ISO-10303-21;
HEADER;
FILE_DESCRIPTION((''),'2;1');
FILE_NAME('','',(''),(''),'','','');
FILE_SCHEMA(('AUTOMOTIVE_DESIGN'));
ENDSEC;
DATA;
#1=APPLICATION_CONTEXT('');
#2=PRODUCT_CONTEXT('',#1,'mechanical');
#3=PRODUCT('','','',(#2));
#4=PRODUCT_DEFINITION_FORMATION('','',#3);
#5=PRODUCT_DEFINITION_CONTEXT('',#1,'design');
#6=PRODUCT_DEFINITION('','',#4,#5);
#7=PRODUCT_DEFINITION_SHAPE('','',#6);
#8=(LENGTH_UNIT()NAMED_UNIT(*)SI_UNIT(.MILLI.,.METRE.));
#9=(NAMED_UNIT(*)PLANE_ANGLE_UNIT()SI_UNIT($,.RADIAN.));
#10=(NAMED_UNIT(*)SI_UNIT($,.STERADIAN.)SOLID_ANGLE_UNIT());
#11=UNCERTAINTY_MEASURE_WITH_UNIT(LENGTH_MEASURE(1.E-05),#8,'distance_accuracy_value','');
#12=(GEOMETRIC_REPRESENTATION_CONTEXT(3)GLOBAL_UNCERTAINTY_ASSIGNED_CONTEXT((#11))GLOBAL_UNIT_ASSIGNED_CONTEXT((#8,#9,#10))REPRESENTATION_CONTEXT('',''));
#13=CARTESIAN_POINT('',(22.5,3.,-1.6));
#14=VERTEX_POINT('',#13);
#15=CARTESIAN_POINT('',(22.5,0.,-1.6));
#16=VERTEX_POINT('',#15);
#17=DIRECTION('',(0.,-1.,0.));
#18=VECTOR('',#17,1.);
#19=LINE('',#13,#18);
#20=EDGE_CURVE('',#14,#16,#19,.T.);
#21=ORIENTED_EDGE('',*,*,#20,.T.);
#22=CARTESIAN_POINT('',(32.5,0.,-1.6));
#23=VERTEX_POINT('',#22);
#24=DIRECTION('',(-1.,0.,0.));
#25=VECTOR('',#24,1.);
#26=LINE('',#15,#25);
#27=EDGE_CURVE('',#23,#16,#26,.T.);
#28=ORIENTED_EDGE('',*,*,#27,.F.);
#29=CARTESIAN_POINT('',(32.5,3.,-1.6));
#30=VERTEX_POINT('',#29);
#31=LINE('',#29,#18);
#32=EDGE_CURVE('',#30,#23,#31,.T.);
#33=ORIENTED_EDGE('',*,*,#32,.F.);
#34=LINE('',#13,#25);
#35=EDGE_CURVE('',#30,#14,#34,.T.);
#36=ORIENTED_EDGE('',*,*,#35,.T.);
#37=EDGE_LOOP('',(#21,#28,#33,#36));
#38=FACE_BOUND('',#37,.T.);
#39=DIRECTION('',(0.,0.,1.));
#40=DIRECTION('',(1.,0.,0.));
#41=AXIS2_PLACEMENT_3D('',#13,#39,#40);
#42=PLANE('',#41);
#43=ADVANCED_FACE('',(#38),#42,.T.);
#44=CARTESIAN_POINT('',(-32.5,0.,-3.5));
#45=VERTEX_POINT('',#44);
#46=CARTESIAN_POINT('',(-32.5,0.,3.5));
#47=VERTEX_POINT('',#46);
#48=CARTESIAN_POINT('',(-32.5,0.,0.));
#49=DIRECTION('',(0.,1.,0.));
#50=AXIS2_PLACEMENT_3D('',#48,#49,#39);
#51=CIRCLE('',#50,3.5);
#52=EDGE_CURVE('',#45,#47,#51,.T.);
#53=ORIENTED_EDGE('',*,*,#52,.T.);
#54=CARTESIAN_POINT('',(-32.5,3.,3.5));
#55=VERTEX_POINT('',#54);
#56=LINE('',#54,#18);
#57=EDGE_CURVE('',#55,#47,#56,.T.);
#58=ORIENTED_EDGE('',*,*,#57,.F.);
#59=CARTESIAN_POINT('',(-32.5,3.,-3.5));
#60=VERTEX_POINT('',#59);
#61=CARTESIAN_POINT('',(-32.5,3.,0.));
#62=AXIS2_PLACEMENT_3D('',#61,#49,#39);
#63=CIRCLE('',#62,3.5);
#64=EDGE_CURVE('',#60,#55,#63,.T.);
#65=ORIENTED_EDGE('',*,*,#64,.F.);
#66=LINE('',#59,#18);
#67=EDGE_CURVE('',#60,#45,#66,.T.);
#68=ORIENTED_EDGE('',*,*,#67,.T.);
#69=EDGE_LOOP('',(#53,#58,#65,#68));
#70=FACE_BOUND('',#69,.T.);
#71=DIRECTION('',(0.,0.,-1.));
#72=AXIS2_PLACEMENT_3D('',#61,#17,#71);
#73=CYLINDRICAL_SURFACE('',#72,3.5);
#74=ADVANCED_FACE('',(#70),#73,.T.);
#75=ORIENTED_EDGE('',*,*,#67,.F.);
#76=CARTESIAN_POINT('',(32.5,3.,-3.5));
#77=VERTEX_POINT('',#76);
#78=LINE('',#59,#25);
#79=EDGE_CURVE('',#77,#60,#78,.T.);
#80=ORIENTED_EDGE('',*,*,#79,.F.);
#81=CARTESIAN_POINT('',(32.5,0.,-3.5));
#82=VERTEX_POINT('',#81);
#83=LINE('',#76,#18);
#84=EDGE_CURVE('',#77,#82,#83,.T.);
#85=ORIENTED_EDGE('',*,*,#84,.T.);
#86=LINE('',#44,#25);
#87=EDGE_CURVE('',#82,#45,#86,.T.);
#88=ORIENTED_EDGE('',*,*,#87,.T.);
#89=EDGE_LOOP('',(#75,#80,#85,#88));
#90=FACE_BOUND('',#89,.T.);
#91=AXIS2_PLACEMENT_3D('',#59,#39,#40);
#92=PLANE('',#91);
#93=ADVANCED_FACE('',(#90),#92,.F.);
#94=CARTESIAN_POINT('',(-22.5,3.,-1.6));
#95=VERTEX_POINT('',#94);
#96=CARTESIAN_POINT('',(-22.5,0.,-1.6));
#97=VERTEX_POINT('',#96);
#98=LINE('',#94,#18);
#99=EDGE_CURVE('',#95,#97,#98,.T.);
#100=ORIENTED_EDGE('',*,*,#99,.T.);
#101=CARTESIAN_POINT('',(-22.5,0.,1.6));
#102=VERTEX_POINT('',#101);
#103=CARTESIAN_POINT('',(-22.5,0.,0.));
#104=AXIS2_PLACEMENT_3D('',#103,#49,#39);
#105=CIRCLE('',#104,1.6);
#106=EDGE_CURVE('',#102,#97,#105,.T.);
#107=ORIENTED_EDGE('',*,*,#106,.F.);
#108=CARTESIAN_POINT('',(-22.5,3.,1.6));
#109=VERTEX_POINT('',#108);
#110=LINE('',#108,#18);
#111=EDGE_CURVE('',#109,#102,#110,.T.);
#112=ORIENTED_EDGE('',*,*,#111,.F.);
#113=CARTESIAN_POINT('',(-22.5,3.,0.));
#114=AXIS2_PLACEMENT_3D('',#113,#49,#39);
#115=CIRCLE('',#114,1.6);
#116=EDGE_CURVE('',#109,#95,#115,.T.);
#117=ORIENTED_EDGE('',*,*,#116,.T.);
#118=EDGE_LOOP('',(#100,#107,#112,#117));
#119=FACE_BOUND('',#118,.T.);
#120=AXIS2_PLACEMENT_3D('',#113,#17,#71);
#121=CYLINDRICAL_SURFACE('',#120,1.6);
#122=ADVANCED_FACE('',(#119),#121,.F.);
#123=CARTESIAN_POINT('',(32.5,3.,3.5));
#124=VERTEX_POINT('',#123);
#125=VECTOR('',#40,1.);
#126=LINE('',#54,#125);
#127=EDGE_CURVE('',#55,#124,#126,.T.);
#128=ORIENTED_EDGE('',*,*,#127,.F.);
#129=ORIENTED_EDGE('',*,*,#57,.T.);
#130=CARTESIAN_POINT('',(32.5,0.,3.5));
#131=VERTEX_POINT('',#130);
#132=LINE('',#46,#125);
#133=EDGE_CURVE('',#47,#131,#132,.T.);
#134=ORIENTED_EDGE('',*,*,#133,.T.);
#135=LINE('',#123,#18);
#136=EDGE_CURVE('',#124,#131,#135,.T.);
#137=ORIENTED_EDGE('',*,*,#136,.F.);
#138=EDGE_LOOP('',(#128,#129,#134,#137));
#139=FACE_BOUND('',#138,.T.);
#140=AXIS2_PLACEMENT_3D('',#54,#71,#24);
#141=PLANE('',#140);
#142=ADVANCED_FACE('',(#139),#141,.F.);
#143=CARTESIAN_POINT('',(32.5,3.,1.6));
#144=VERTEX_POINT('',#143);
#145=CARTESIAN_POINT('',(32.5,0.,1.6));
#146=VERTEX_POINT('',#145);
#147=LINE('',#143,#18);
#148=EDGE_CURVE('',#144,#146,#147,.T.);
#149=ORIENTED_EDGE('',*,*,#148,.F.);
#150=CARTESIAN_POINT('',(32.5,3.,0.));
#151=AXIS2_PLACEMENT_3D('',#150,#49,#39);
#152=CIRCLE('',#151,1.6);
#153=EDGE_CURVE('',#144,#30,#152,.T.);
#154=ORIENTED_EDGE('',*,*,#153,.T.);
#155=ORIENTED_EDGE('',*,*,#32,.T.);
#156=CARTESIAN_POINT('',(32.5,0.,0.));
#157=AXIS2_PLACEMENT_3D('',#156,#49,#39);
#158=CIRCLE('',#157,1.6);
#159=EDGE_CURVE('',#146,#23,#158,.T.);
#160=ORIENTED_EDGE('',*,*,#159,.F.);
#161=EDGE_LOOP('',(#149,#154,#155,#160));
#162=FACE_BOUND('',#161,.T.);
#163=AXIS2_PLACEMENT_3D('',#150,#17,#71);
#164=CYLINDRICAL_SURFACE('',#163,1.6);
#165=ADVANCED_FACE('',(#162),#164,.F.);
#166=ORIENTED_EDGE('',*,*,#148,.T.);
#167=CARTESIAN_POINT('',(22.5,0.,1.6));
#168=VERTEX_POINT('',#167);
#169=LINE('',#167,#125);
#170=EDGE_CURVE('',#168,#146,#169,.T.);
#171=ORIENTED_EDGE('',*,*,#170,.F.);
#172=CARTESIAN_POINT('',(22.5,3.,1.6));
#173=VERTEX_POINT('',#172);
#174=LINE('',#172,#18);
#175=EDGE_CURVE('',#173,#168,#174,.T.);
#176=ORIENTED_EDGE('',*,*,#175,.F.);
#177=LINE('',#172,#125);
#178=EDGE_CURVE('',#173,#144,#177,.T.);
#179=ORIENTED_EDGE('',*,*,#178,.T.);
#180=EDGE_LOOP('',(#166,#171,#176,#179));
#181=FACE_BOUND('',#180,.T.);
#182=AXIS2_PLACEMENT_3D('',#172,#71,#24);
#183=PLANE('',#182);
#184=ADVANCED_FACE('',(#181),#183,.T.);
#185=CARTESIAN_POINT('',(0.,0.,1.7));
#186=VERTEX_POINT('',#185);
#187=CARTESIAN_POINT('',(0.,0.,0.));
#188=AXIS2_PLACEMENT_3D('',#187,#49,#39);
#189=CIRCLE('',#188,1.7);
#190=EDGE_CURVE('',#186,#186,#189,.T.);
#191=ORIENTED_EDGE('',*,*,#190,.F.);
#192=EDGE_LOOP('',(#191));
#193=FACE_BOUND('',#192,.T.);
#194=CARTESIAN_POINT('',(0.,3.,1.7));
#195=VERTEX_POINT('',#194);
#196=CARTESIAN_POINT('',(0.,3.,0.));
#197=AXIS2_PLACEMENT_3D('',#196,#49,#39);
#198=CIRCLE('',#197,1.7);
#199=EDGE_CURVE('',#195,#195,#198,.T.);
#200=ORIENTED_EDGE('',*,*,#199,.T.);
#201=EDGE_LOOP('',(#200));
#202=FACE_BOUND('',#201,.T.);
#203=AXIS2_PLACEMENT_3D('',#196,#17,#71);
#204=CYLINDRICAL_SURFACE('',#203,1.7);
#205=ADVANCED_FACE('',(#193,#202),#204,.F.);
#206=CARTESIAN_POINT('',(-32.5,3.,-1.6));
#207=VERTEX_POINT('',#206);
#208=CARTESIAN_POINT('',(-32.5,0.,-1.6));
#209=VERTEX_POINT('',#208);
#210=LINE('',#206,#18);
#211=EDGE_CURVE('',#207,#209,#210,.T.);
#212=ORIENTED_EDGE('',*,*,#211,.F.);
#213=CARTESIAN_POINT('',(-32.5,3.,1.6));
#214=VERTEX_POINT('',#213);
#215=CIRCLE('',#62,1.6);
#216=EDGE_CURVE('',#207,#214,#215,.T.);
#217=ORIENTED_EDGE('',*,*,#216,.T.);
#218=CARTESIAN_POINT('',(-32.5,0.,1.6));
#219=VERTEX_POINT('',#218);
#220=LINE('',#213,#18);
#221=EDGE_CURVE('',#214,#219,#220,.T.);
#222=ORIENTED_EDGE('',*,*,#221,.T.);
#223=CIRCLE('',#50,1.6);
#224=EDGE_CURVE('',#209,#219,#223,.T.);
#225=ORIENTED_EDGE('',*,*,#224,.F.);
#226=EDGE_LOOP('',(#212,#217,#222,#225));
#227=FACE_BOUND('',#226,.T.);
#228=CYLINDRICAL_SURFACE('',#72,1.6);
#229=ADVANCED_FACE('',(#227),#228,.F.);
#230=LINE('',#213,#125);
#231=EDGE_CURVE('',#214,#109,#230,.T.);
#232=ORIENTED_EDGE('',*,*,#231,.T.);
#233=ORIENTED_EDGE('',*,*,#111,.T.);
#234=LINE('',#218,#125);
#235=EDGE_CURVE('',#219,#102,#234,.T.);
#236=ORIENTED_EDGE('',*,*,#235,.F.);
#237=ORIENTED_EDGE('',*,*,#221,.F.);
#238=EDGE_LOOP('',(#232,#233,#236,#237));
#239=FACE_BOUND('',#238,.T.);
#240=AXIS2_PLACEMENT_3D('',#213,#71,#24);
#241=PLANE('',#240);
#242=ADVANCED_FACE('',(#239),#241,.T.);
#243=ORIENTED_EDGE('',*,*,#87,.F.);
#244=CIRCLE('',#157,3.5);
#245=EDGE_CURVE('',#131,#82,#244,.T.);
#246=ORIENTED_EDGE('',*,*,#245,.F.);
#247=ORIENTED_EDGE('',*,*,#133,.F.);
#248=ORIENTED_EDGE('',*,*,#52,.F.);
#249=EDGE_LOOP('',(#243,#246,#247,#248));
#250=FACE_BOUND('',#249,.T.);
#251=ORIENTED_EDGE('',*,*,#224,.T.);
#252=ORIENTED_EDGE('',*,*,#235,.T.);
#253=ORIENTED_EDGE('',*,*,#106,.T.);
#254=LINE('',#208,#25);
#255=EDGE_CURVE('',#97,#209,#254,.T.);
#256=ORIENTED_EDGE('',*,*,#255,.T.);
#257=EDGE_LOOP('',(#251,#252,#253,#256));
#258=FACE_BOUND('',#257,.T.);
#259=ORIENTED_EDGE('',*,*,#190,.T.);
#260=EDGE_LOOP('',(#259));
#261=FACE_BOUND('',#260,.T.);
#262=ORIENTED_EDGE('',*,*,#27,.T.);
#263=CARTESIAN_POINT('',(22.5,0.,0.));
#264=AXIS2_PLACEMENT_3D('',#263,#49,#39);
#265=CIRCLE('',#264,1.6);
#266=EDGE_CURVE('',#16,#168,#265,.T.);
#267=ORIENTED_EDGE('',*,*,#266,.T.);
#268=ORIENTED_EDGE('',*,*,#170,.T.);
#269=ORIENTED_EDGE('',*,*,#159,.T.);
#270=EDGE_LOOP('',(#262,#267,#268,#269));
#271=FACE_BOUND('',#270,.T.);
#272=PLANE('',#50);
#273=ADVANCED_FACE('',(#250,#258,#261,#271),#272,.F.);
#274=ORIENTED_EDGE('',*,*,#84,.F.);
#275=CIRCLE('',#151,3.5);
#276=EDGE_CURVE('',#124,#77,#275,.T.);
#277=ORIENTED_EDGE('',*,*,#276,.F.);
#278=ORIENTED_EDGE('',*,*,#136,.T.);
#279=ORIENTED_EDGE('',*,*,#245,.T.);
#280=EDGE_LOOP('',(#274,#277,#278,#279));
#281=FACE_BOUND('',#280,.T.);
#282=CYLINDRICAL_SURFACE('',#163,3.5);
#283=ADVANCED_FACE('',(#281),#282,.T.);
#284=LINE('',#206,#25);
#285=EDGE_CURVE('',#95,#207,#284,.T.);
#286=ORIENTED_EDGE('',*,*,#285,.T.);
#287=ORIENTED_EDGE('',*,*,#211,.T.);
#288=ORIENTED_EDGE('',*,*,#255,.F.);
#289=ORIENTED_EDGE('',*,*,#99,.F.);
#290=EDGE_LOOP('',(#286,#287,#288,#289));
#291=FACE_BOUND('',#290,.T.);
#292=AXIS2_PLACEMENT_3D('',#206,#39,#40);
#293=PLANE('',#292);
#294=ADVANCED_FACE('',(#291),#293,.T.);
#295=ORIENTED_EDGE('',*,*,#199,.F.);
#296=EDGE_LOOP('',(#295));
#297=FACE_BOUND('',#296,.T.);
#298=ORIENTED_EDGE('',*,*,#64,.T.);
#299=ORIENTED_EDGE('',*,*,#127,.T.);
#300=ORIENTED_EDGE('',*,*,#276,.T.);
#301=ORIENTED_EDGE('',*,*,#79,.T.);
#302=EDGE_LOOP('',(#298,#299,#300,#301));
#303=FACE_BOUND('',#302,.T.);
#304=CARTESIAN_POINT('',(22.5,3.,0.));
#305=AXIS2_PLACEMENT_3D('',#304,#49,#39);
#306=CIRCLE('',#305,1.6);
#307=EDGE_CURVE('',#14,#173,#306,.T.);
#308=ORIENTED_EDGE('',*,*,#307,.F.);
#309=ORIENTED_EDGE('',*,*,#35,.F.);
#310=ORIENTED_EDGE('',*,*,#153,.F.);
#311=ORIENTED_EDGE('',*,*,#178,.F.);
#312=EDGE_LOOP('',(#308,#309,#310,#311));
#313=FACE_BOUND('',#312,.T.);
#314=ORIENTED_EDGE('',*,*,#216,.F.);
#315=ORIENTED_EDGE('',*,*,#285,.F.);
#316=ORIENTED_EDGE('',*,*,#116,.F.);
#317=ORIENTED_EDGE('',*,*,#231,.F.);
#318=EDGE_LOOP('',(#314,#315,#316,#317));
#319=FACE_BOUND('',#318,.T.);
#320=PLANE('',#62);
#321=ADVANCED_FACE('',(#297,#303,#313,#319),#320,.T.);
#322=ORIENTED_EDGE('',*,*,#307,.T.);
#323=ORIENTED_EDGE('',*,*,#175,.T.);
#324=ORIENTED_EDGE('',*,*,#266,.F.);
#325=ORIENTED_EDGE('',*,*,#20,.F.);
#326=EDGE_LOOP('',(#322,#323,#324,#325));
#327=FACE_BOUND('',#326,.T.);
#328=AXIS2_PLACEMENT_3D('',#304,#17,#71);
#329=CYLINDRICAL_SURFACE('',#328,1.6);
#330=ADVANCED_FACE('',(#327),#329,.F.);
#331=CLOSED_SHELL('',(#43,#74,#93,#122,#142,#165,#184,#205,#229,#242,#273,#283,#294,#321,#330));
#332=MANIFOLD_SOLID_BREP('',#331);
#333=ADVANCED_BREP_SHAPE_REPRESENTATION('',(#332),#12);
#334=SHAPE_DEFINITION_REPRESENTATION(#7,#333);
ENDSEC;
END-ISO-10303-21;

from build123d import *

# Parameters (mm, degrees)
SKETCH_1_R      = 1.7
EXTRUDE_1_DEPTH = 3


with BuildPart() as part:
    # Эскиз1 → Бобышка-Вытянуть1 (new body)
    with BuildSketch(Plane(origin=(0, 0, 0), x_dir=(1, 0, 0), z_dir=(0, 1, 0))):
        with BuildLine():
            Line((-32.5, 3.5), (32.5, 3.5))
            ThreePointArc((32.5, 3.5), (36, 0), (32.5, -3.5))
            Line((32.5, -3.5), (-32.5, -3.5))
            ThreePointArc((-32.5, -3.5), (-36, 0), (-32.5, 3.5))
        make_face()
        Circle(SKETCH_1_R, mode=Mode.SUBTRACT)
        with BuildLine():
            Line((-32.5, -1.6), (-22.5, -1.6))
            ThreePointArc((-22.5, -1.6), (-20.9, 0), (-22.5, 1.6))
            Line((-22.5, 1.6), (-32.5, 1.6))
            ThreePointArc((-32.5, 1.6), (-34.1, 0), (-32.5, -1.6))
        make_face(mode=Mode.SUBTRACT)
        with BuildLine():
            Line((22.5, 1.6), (32.5, 1.6))
            ThreePointArc((32.5, 1.6), (34.1, 0), (32.5, -1.6))
            Line((32.5, -1.6), (22.5, -1.6))
            ThreePointArc((22.5, -1.6), (20.9, 0), (22.5, 1.6))
        make_face(mode=Mode.SUBTRACT)
    extrude(amount=EXTRUDE_1_DEPTH)


solid = part.part
